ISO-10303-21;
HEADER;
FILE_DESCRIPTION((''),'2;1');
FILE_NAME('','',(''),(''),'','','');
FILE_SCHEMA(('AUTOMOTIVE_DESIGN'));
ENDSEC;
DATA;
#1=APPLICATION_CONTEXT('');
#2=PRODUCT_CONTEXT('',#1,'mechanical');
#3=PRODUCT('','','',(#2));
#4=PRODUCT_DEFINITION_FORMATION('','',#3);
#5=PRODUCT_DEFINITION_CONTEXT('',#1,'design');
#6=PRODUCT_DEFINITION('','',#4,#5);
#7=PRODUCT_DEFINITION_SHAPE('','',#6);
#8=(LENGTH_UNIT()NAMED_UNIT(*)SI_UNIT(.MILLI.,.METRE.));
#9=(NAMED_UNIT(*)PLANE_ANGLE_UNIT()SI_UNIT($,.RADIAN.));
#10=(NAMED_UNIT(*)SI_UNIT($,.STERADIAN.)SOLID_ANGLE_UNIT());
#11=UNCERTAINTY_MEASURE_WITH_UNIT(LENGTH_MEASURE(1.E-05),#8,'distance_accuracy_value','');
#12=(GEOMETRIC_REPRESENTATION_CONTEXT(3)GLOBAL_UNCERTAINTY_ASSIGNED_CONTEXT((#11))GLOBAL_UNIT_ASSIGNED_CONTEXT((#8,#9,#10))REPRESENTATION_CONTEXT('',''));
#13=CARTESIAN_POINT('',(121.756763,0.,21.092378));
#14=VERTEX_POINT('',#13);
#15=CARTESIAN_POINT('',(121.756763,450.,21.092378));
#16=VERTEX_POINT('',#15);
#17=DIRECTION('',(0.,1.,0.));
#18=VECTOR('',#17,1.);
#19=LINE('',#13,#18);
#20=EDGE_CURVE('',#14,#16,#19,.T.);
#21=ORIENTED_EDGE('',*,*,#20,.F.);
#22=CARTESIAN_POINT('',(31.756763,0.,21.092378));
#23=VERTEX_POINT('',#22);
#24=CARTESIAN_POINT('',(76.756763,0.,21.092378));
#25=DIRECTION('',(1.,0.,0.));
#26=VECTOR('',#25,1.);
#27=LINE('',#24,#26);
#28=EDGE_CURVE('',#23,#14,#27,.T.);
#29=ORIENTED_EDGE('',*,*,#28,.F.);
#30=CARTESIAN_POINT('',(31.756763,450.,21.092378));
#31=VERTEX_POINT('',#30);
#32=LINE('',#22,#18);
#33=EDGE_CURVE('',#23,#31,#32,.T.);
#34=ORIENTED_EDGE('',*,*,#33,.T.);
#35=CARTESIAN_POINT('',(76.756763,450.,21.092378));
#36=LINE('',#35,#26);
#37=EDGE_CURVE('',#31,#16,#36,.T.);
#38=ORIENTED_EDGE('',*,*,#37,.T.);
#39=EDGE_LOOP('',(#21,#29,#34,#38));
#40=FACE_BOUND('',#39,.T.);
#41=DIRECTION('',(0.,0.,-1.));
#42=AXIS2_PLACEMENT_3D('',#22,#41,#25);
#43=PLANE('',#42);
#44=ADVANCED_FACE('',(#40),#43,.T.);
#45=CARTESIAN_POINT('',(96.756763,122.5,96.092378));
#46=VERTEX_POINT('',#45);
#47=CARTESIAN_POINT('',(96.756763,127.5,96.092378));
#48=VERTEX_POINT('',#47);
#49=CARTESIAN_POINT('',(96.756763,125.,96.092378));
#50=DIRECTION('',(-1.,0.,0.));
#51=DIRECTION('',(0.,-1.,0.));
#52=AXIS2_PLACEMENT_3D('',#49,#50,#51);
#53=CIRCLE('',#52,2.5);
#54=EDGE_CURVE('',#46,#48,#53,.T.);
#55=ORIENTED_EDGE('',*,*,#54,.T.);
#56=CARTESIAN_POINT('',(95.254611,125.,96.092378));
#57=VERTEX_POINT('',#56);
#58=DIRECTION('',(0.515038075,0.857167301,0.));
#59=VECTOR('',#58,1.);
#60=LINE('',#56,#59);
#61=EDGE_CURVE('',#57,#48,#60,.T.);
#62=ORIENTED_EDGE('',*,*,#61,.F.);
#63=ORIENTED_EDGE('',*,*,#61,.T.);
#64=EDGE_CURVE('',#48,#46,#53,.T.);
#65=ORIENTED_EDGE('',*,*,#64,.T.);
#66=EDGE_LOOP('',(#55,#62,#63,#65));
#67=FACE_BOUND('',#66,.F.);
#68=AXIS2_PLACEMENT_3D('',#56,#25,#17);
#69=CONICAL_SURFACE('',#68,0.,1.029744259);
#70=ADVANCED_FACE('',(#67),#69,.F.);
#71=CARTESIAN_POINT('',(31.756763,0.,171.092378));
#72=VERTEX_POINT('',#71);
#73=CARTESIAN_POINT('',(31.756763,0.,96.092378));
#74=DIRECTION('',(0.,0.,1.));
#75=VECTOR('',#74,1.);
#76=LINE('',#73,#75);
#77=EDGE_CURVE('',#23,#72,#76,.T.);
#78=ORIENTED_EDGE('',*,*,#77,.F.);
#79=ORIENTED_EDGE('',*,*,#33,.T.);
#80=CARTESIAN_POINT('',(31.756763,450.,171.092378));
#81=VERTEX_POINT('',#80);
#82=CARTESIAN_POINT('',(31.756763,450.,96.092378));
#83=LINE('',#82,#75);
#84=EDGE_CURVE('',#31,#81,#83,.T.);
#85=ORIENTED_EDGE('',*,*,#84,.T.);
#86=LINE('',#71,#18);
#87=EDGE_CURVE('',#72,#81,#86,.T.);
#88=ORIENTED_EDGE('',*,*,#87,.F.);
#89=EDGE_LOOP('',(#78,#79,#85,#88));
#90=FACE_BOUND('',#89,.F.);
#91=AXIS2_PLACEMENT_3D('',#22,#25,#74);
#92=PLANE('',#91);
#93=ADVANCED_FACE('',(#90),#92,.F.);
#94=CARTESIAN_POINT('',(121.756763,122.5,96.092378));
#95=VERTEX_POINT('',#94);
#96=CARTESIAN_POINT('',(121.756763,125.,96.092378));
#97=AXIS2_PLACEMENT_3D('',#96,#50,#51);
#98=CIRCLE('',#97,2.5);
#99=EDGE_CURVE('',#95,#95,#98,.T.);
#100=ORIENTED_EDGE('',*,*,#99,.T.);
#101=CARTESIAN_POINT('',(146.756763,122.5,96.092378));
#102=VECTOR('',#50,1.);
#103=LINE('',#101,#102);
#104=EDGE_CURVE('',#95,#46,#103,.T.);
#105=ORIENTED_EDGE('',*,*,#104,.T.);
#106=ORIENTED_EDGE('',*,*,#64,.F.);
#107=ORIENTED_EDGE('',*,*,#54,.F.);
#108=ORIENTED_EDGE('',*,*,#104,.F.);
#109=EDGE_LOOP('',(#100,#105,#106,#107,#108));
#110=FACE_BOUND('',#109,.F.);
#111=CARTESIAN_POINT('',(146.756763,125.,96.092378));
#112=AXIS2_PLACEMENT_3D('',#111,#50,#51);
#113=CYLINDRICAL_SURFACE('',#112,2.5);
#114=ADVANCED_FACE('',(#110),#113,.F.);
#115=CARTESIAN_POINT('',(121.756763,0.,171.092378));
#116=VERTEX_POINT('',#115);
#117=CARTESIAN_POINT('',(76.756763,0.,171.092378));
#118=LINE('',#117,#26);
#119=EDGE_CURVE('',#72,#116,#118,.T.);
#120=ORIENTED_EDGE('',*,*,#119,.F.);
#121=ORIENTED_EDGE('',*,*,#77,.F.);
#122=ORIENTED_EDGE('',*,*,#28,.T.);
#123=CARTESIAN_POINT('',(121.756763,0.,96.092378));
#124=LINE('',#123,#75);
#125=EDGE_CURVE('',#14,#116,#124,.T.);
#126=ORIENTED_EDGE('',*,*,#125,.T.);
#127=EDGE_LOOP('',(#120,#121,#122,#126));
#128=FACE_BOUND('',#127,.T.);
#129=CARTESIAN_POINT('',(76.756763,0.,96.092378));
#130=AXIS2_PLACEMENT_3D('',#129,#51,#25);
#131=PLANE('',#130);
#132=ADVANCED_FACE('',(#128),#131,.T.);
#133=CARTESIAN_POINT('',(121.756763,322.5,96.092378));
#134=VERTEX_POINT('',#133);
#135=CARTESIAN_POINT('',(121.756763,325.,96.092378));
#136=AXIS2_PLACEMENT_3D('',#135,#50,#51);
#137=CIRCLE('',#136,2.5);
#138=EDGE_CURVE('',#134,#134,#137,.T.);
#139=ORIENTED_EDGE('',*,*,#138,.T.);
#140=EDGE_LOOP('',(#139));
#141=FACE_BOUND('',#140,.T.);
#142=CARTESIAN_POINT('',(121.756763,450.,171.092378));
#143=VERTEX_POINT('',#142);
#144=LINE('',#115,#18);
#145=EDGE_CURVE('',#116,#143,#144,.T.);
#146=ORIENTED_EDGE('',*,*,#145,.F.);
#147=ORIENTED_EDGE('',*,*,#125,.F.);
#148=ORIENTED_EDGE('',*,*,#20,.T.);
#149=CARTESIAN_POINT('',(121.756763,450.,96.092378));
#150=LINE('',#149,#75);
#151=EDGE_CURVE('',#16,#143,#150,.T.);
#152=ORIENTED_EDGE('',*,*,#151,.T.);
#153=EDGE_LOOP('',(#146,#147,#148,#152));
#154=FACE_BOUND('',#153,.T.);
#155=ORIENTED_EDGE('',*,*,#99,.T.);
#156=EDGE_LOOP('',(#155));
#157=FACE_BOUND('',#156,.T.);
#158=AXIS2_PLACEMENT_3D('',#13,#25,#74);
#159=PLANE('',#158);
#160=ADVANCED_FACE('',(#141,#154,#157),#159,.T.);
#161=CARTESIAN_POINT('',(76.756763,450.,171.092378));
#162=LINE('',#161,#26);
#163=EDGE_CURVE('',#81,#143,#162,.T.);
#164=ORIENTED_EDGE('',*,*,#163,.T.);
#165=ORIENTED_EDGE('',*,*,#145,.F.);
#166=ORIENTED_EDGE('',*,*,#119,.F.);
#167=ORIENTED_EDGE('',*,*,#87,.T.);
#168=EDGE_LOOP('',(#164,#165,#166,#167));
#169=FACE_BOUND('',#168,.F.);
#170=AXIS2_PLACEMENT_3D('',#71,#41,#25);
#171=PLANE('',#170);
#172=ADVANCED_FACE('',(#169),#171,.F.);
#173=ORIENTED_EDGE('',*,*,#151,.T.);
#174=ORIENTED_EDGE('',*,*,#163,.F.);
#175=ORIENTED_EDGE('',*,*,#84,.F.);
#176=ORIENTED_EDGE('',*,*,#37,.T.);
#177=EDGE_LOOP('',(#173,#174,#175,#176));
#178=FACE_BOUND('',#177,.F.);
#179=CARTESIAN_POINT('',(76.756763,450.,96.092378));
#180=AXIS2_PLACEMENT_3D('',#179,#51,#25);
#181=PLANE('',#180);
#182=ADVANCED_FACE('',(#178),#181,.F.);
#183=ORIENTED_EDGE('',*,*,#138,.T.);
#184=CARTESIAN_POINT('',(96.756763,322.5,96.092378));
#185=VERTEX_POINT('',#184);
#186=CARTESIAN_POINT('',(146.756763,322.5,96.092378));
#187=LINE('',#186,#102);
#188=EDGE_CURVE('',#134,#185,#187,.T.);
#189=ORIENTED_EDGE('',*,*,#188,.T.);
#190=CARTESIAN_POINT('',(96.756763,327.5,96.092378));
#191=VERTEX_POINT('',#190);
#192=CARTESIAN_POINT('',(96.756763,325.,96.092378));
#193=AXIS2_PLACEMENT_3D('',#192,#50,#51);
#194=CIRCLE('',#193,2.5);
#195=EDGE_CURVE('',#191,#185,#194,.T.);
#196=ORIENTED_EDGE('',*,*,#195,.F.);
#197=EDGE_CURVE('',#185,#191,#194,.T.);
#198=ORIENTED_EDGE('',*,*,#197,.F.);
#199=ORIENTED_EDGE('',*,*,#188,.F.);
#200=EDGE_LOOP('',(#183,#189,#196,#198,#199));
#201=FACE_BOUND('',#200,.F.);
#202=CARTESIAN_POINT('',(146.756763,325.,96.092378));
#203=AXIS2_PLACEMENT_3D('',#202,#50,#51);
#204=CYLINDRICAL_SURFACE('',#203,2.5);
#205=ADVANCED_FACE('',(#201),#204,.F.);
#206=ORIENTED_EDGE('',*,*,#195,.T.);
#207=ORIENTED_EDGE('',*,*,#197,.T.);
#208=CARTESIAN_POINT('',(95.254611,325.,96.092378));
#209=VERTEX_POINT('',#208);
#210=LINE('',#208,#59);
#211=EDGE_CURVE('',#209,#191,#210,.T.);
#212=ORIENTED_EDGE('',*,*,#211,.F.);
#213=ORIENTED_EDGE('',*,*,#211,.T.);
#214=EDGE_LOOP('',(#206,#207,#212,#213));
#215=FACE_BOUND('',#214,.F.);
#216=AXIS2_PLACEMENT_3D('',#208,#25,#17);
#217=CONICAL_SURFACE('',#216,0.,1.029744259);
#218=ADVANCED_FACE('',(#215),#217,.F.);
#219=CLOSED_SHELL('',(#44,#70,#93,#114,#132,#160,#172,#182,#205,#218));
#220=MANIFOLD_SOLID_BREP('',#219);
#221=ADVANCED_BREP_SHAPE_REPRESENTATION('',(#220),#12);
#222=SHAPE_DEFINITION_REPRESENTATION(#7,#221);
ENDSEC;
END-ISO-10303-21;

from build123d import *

# Parameters (mm, degrees)
F0_W     = 90
F0_H     = 150
F1_DEPTH = 450
F3_D     = 5
F3_DEPTH = 25
F3_TIP   = 1.5021515476


with BuildPart() as f1:
    # F0 (on Front) → F1 (new body)
    with BuildSketch(Plane.XZ):
        with Locations((76.7567627877, 96.0923777666)):
            Rectangle(F0_W, F0_H)
    extrude(amount=-F1_DEPTH)

    # F3
    with Locations(Plane.YZ.offset(121.7567627877)):
        with Locations((325, 96.0923777666), (125, 96.0923777666)):
            Hole(F3_D / 2, depth=F3_DEPTH)
            with Locations((0, 0, -(F3_DEPTH + F3_TIP / 2))):  # 118° drill point
                Cone(0, F3_D / 2, F3_TIP, mode=Mode.SUBTRACT)


solid = f1.part
